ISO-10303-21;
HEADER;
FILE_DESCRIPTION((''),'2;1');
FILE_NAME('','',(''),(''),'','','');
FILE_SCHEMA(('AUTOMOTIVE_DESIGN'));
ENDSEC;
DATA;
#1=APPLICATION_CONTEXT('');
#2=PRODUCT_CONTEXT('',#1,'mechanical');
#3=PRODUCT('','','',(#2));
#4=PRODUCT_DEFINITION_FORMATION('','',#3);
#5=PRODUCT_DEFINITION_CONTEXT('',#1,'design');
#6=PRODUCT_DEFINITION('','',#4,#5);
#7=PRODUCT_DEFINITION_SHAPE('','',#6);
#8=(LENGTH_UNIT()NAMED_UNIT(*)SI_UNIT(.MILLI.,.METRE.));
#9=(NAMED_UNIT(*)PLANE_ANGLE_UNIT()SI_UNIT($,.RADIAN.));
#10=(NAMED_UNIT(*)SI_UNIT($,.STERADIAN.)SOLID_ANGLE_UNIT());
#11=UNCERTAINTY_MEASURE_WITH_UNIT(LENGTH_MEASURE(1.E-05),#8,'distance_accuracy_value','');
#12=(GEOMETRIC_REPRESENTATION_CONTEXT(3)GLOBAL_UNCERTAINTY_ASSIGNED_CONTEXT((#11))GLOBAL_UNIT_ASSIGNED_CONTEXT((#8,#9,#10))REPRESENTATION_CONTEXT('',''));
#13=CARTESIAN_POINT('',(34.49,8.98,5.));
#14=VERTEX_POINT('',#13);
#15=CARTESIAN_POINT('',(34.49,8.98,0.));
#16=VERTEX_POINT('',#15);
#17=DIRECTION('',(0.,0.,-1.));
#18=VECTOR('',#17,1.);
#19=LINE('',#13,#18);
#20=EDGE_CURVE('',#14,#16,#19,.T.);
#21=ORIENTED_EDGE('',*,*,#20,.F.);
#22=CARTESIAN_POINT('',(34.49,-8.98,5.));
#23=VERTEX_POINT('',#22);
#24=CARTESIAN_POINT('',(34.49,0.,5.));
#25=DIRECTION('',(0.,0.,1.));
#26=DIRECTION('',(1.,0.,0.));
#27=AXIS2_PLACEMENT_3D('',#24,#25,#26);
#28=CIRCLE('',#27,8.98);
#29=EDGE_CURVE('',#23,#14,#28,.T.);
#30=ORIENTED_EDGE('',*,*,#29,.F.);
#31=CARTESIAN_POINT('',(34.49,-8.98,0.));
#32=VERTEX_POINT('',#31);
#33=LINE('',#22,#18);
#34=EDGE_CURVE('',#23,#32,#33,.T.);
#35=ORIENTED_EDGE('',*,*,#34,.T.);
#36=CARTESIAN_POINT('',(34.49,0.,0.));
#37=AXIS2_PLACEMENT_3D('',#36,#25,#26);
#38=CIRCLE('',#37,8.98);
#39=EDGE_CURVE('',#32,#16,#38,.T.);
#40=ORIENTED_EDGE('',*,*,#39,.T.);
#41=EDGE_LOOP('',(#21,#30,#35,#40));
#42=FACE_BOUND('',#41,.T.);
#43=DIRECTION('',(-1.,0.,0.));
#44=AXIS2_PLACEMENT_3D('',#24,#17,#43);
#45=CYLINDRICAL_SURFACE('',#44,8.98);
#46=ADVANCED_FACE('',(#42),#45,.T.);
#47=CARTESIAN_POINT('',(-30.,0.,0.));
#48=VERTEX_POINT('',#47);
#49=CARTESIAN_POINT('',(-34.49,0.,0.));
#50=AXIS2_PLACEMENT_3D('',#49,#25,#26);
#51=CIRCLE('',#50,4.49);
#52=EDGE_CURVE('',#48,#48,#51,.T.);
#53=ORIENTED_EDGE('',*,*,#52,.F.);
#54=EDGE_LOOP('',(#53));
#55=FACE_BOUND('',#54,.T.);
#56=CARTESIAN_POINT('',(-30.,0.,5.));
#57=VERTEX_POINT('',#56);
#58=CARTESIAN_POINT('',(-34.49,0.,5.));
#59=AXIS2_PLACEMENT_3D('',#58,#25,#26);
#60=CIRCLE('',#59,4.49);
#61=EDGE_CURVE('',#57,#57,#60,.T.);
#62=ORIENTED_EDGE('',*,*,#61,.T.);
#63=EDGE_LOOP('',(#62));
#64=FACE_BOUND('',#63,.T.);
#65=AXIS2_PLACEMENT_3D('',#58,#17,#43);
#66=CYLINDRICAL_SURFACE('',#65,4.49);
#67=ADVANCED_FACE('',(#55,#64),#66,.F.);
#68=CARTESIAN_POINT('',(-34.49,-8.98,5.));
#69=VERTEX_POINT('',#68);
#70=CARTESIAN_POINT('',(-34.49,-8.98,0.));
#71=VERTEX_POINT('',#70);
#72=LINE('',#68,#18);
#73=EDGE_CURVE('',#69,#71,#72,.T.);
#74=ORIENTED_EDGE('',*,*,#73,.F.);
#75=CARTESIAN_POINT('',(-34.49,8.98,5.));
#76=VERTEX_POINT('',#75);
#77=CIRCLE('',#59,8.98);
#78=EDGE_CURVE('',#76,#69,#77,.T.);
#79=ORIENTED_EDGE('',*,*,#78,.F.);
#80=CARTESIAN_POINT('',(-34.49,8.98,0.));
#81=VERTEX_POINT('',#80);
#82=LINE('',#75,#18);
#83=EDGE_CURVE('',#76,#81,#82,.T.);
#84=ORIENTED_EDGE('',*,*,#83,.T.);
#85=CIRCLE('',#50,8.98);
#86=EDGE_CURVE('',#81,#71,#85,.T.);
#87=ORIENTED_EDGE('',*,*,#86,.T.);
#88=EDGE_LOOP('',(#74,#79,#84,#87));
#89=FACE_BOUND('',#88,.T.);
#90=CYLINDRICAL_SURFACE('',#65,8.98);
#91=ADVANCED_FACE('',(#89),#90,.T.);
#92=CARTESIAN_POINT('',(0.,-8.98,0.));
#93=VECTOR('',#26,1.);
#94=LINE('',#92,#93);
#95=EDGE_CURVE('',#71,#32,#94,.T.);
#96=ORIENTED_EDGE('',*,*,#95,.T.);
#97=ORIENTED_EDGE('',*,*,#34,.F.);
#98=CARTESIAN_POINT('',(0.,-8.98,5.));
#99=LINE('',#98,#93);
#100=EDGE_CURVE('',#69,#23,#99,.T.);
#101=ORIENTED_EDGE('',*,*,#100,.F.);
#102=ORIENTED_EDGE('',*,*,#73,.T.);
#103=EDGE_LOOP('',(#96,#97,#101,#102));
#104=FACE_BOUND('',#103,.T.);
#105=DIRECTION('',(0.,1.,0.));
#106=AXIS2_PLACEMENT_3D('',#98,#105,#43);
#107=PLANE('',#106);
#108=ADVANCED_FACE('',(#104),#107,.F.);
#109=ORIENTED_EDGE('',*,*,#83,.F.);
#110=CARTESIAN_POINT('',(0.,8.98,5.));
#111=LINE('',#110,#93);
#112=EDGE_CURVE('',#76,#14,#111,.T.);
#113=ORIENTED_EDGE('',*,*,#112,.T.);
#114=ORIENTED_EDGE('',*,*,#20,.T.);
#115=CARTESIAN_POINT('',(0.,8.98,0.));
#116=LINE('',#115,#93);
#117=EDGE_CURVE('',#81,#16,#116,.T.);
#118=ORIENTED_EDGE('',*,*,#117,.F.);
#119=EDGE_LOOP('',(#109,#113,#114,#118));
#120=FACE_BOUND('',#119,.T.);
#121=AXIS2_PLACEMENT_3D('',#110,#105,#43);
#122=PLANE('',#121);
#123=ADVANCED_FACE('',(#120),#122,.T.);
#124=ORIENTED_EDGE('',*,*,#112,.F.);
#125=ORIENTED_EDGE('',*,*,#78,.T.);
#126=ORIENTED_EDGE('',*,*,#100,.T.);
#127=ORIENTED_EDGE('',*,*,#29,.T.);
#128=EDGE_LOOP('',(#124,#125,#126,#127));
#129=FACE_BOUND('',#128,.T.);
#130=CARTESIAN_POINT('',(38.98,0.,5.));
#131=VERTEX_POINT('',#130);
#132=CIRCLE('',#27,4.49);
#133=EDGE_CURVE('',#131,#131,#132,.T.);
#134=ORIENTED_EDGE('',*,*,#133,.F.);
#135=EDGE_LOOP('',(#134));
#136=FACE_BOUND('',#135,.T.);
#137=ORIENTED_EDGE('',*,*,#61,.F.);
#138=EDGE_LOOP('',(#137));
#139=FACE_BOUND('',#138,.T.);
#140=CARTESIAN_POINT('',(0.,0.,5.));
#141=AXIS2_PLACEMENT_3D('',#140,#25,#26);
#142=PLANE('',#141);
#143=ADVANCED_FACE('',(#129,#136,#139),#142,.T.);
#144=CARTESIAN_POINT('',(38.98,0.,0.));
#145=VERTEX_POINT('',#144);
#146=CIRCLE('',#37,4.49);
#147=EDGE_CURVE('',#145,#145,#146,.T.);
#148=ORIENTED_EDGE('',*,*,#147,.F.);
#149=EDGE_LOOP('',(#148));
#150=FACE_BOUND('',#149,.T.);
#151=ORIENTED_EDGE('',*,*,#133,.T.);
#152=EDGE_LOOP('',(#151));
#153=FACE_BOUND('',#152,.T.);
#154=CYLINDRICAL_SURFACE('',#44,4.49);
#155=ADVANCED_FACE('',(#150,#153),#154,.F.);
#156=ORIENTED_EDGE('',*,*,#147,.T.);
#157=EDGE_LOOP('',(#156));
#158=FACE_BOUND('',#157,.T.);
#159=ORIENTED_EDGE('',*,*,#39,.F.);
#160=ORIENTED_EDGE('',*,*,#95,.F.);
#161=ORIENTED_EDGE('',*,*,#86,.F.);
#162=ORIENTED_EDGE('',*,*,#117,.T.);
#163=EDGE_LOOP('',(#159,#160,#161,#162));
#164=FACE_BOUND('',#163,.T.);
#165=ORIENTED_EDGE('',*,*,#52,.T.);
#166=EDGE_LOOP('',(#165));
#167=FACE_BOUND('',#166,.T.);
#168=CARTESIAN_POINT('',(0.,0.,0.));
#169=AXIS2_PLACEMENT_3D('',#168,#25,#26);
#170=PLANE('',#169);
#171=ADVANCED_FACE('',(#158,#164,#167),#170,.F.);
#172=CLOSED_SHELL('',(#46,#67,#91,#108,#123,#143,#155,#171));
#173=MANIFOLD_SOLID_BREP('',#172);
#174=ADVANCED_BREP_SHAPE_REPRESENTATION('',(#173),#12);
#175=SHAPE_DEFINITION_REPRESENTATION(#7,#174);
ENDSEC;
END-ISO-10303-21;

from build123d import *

# Parameters (mm, degrees)
SKETCH1_R           = 4.49
BOSS_EXTRUDE1_DEPTH = 5


with BuildPart() as part:
    # Sketch1 → Boss-Extrude1 (new body)
    with BuildSketch(Plane.XY):
        with BuildLine():
            ThreePointArc((-34.49, 8.98), (-43.47, 0), (-34.49, -8.98))
            Line((-34.49, -8.98), (34.49, -8.98))
            ThreePointArc((34.49, -8.98), (43.47, 0), (34.49, 8.98))
            Line((34.49, 8.98), (-34.49, 8.98))
        make_face()
        with Locations((-34.49, 0)):
            Circle(SKETCH1_R, mode=Mode.SUBTRACT)
        with Locations((34.49, 0)):
            Circle(SKETCH1_R, mode=Mode.SUBTRACT)
    extrude(amount=BOSS_EXTRUDE1_DEPTH)


solid = part.part
